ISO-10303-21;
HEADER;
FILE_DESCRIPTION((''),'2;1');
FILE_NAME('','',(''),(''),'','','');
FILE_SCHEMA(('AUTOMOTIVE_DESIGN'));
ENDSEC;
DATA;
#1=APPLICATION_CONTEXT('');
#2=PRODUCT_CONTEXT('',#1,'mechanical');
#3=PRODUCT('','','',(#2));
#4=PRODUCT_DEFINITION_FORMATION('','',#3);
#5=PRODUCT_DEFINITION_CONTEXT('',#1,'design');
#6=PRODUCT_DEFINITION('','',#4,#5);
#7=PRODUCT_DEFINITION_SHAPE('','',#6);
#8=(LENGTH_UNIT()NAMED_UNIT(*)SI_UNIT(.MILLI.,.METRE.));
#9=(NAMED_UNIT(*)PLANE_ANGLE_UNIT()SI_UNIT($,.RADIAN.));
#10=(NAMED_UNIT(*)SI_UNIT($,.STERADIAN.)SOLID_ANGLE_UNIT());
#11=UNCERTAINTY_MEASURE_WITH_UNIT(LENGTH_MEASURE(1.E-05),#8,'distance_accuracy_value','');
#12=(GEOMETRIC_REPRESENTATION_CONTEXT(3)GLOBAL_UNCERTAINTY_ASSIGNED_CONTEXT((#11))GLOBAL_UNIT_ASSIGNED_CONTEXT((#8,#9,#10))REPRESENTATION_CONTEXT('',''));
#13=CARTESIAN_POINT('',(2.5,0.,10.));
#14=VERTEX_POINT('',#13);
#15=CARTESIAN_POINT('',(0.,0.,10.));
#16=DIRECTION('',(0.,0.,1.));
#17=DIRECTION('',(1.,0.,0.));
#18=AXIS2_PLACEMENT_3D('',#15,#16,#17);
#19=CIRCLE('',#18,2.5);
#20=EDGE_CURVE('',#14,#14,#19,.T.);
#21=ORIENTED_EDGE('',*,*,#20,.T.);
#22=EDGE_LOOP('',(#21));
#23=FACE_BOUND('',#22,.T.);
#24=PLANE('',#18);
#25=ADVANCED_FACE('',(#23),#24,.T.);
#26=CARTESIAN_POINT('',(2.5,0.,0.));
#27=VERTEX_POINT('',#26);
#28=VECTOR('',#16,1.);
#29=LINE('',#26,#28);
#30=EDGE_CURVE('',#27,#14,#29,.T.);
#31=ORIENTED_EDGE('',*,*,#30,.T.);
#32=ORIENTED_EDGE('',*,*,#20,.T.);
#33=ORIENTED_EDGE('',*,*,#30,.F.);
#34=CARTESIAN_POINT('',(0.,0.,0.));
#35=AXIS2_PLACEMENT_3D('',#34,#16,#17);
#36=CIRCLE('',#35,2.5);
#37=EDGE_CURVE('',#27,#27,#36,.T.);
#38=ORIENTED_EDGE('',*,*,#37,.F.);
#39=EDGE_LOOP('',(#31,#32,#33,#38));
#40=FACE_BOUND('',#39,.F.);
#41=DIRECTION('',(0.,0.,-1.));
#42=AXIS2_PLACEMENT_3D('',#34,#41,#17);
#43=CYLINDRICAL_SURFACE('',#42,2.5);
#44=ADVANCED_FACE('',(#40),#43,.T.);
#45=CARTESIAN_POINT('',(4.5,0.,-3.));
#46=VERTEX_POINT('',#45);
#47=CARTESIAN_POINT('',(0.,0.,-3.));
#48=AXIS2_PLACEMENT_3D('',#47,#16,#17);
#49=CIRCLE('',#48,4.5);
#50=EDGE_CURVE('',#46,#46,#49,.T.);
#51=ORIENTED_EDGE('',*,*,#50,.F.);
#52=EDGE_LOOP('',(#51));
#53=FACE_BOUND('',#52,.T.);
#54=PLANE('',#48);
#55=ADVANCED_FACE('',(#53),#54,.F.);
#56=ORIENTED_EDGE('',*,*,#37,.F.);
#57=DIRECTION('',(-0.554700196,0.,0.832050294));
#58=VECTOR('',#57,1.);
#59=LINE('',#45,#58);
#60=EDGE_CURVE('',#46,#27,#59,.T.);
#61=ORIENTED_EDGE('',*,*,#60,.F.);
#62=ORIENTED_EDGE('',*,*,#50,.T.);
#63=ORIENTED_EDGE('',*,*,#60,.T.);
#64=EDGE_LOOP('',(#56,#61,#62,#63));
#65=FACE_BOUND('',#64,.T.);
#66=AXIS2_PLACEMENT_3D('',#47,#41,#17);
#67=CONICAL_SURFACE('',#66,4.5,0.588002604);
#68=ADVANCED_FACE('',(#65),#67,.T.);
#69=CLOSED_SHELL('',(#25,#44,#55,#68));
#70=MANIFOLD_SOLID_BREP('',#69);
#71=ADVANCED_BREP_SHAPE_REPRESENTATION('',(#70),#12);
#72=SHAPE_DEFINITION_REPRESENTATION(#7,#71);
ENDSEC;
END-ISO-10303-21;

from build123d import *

# Parameters (mm, degrees)
CYLINDER001_R     = 2.5
CYLINDER001_DEPTH = 10


with BuildPart() as cone001:
    # Cone001 → Cone001 (revolve)
    with BuildSketch(Plane(origin=(0, 0, -3), x_dir=(1, 0, 0), z_dir=(0, -1, 0))):
        Polygon((0, 0), (4.5, 0), (2.5, 3), (0, 3), align=None)
    revolve(axis=Axis((0, 0, -3), (0, 0, 1)))


with BuildPart() as m5x10_senkkopf:
    # Cylinder001 → Cylinder001 (new body)
    with BuildSketch(Plane.XY):
        Circle(CYLINDER001_R)
    extrude(amount=CYLINDER001_DEPTH)

    # Fusion001: union Cone001
    add(cone001.part)


solid = m5x10_senkkopf.part
